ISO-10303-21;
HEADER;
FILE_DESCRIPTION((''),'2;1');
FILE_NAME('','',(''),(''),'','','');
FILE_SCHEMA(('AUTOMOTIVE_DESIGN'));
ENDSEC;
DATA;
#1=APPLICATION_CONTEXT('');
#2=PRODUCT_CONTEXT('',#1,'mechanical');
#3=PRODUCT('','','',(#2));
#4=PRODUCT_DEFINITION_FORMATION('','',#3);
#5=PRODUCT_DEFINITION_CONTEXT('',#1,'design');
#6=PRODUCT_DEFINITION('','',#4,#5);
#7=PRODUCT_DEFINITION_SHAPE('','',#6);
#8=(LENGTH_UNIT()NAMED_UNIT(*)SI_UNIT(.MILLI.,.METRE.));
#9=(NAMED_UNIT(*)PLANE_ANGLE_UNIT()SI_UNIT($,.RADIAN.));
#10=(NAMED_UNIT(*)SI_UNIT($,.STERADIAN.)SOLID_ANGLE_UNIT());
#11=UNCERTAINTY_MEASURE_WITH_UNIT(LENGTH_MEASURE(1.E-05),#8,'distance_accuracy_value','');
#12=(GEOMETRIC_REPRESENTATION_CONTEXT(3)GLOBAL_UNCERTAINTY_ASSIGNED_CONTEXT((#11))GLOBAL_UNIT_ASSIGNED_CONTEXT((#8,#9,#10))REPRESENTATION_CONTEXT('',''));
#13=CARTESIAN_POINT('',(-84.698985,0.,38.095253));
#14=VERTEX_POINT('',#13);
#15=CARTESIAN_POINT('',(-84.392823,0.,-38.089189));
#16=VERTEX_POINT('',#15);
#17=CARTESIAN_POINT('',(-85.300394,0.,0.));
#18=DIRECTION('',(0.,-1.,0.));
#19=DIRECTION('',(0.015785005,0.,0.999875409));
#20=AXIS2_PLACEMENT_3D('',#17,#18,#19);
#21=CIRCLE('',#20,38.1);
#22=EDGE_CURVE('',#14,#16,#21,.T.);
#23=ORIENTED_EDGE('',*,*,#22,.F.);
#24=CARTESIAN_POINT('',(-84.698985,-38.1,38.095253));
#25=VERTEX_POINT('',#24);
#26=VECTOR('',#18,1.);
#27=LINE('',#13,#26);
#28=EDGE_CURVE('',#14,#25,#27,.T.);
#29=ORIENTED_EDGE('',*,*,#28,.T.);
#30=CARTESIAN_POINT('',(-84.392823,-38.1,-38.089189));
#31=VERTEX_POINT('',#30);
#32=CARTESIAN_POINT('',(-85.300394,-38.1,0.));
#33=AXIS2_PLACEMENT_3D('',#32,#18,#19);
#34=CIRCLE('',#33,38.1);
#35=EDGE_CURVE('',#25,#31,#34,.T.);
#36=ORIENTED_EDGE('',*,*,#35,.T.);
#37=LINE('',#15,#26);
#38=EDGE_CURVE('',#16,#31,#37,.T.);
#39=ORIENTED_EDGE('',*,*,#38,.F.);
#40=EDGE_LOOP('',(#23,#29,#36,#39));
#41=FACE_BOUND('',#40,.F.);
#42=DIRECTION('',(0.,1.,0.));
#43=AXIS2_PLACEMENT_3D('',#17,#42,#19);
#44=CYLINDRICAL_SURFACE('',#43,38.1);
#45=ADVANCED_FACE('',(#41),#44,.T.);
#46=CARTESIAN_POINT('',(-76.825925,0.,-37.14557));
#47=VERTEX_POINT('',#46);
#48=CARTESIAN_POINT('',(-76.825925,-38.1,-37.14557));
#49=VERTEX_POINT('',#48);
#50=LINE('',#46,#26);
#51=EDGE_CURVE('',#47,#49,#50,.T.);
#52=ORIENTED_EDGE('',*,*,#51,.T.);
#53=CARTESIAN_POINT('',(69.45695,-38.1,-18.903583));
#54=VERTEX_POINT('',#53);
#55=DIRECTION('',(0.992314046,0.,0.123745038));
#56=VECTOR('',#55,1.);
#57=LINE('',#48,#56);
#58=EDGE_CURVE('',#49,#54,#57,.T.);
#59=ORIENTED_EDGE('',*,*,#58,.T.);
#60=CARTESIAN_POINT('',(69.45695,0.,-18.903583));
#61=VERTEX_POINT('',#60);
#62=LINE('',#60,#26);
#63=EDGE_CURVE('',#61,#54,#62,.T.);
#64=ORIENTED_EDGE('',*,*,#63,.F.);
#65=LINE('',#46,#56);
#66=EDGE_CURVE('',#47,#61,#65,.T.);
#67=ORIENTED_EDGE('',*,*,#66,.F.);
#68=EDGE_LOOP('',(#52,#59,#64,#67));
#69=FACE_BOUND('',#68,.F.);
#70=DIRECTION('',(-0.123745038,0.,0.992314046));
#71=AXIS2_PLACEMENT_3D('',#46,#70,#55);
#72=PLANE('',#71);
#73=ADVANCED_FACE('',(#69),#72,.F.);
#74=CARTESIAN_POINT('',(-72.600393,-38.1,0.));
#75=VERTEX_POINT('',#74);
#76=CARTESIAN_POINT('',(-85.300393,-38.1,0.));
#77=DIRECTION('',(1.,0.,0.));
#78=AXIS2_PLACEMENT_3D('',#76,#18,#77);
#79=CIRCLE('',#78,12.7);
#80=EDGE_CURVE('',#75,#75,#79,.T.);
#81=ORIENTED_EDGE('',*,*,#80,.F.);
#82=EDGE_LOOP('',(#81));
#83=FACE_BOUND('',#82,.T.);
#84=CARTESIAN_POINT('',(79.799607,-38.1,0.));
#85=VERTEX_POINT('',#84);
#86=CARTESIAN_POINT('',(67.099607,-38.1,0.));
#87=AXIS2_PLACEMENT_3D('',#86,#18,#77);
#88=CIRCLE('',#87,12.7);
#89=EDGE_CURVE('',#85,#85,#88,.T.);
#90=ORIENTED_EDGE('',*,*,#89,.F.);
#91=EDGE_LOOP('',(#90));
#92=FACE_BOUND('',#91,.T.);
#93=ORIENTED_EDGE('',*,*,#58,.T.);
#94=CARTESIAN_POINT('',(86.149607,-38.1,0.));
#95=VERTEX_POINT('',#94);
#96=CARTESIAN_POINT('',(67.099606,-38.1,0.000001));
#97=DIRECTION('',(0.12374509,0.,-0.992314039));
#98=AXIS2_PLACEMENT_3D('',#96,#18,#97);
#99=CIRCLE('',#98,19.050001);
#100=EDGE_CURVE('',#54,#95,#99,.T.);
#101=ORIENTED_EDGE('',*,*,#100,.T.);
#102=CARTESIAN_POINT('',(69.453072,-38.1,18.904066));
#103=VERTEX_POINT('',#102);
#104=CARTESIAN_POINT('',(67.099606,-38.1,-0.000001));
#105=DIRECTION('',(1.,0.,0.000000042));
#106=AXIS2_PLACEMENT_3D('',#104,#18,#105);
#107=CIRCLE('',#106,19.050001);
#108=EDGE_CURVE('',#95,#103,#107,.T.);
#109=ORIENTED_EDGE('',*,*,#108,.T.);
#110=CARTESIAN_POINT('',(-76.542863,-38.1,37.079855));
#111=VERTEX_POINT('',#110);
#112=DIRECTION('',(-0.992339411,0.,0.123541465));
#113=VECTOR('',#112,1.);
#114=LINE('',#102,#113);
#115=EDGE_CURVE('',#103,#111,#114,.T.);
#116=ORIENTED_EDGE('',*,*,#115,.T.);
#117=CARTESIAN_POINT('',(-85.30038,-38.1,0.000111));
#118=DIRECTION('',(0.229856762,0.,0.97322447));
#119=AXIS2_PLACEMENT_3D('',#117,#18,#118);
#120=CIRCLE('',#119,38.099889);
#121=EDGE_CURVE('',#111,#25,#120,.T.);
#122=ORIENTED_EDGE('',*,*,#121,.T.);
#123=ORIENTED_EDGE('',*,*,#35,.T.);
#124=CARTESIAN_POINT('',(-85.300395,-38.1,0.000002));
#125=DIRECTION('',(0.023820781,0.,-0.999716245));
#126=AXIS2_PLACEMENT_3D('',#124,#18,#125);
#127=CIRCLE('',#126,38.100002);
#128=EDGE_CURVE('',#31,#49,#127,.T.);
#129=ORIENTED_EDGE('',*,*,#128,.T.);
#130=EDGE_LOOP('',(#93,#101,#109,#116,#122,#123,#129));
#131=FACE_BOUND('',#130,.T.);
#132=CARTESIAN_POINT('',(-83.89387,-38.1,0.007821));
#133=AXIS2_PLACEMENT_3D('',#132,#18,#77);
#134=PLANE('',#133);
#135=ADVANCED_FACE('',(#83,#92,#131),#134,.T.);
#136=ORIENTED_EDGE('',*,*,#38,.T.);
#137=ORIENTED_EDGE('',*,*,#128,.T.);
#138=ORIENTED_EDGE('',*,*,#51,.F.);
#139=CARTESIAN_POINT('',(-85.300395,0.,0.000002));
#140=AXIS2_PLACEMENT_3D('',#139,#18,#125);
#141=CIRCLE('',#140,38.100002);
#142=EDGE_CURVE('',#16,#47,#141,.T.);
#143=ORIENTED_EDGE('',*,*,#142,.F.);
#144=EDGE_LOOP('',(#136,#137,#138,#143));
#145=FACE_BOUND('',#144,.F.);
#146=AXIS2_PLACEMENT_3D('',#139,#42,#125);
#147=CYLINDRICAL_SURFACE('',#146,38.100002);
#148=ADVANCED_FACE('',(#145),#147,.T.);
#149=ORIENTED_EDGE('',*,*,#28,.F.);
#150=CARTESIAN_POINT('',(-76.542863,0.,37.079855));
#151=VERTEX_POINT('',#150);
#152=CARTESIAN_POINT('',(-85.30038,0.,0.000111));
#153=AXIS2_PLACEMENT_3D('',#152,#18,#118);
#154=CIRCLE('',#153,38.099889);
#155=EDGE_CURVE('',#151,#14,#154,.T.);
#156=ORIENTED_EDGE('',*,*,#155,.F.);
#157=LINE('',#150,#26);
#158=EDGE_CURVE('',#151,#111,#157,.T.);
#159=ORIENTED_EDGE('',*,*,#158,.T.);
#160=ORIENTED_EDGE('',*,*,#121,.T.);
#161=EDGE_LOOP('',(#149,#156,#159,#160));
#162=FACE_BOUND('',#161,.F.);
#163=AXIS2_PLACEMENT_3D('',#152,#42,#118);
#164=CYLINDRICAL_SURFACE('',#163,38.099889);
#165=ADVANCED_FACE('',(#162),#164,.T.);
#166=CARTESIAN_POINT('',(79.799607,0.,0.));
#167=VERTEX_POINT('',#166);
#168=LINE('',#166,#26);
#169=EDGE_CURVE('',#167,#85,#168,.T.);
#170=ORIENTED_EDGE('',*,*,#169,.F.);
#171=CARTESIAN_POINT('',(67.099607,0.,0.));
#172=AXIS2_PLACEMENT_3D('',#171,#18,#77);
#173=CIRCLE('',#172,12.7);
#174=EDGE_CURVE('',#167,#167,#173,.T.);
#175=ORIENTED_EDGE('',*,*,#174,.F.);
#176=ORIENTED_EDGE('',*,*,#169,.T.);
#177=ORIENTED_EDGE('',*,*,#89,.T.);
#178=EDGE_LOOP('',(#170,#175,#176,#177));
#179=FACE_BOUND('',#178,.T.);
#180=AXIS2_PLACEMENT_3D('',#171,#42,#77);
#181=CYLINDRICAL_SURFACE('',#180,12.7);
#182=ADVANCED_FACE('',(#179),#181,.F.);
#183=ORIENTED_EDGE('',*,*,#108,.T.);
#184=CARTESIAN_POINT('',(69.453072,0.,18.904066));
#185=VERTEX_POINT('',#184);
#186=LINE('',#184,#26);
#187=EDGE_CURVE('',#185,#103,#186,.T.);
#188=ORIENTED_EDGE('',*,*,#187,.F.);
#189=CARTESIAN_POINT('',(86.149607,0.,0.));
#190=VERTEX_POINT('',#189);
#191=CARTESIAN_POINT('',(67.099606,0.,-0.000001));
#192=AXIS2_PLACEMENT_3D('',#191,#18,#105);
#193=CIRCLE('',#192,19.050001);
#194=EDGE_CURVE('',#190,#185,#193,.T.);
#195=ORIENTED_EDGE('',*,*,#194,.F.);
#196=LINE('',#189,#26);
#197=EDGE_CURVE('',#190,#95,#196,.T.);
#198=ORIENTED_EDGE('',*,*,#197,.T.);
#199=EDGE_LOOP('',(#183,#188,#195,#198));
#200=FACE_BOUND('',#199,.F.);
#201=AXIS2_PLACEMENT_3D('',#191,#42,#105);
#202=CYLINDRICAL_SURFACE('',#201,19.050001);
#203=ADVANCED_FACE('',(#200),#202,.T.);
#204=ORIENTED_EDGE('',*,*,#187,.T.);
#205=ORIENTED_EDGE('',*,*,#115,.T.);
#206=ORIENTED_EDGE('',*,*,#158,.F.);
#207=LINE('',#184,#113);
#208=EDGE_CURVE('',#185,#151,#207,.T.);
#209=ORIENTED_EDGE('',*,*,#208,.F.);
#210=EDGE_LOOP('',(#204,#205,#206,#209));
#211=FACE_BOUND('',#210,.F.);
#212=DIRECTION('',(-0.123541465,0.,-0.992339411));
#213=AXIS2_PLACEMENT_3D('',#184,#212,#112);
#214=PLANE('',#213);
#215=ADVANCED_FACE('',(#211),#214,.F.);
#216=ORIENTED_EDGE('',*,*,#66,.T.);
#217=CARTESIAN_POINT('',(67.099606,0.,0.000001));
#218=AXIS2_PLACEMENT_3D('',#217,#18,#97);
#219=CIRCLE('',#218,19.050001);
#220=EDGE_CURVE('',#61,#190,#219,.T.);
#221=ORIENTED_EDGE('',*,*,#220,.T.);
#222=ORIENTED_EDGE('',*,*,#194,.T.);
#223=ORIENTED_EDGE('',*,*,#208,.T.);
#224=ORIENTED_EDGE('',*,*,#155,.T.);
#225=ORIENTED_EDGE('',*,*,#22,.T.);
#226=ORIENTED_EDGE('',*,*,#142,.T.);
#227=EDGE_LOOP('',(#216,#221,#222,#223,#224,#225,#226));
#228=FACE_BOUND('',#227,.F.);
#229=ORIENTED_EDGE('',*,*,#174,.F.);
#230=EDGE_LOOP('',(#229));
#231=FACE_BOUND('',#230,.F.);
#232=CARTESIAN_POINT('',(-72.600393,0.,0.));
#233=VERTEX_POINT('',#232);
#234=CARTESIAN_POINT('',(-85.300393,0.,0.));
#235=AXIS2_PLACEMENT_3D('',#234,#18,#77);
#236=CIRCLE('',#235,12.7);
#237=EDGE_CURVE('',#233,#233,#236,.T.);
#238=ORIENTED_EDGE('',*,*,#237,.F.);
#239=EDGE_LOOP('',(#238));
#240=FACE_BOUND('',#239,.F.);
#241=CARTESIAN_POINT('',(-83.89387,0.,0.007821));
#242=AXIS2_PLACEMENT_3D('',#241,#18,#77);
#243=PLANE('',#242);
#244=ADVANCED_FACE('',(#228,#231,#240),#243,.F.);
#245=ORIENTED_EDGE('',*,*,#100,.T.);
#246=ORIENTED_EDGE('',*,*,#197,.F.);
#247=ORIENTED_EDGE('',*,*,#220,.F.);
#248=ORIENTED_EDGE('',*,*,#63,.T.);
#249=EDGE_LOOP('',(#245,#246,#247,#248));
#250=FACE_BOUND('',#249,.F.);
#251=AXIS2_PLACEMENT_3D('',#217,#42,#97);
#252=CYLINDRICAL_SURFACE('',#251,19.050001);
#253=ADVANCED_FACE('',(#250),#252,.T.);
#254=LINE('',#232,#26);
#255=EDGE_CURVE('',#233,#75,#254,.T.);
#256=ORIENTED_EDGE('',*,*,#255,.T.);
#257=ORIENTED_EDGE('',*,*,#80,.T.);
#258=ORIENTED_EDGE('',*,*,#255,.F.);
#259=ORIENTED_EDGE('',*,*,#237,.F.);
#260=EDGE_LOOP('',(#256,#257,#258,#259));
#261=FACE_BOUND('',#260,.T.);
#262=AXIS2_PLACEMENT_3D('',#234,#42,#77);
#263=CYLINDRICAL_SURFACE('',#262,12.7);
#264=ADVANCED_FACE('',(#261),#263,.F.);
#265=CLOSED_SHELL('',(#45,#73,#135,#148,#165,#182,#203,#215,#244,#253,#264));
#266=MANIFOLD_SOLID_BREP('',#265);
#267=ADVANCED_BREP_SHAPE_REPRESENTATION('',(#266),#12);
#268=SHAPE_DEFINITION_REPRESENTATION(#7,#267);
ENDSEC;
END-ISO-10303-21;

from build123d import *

# Parameters (mm, degrees)
F0_R     = 12.7
F1_DEPTH = 38.1


with BuildPart() as f1:
    # F0 (on Front) → F1 (new body)
    with BuildSketch(Plane.XZ):
        with BuildLine():
            Line((-76.542863, 37.079855), (-84.698985, 38.095253))
            ThreePointArc((-84.698985, 38.095253), (-123.400086, -0.153111), (-84.392823, -38.089189))
            Line((-84.392823, -38.089189), (-76.825925, -37.14557))
            ThreePointArc((-76.825925, -37.14557), (-55.513758, -23.756397), (-47.200393, 0))
            ThreePointArc((-47.200393, 0), (-55.423379, 23.642632), (-76.542863, 37.079855))
        make_face()
        with Locations((-85.300393, 0)):
            Circle(F0_R, mode=Mode.SUBTRACT)
        with BuildLine():
            ThreePointArc((-76.542863, 37.079855), (-80.593463, 37.808132), (-84.698985, 38.095253))
            Line((-84.698985, 38.095253), (-76.542863, 37.079855))
        make_face()
        with BuildLine():
            Line((-76.825925, -37.14557), (-84.392823, -38.089189))
            ThreePointArc((-84.392823, -38.089189), (-80.585707, -37.807165), (-76.825925, -37.14557))
        make_face()
        with BuildLine():
            Line((69.453072, 18.904066), (-76.542863, 37.079855))
            ThreePointArc((-76.542863, 37.079855), (-55.423379, 23.642632), (-47.200393, 0))
            ThreePointArc((-47.200393, 0), (-55.513758, -23.756397), (-76.825925, -37.14557))
            Line((-76.825925, -37.14557), (69.45695, -18.903583))
            ThreePointArc((69.45695, -18.903583), (48.049607, -0.001954), (69.453072, 18.904066))
        make_face()
        with BuildLine():
            ThreePointArc((86.149607, 0), (81.377842, 12.610888), (69.453072, 18.904066))
            ThreePointArc((69.453072, 18.904066), (48.049607, -0.001954), (69.45695, -18.903583))
            ThreePointArc((69.45695, -18.903583), (81.379136, -12.609423), (86.149607, 0))
        make_face()
        with Locations((67.099607, 0)):
            Circle(F0_R, mode=Mode.SUBTRACT)
    extrude(amount=F1_DEPTH)


solid = f1.part
